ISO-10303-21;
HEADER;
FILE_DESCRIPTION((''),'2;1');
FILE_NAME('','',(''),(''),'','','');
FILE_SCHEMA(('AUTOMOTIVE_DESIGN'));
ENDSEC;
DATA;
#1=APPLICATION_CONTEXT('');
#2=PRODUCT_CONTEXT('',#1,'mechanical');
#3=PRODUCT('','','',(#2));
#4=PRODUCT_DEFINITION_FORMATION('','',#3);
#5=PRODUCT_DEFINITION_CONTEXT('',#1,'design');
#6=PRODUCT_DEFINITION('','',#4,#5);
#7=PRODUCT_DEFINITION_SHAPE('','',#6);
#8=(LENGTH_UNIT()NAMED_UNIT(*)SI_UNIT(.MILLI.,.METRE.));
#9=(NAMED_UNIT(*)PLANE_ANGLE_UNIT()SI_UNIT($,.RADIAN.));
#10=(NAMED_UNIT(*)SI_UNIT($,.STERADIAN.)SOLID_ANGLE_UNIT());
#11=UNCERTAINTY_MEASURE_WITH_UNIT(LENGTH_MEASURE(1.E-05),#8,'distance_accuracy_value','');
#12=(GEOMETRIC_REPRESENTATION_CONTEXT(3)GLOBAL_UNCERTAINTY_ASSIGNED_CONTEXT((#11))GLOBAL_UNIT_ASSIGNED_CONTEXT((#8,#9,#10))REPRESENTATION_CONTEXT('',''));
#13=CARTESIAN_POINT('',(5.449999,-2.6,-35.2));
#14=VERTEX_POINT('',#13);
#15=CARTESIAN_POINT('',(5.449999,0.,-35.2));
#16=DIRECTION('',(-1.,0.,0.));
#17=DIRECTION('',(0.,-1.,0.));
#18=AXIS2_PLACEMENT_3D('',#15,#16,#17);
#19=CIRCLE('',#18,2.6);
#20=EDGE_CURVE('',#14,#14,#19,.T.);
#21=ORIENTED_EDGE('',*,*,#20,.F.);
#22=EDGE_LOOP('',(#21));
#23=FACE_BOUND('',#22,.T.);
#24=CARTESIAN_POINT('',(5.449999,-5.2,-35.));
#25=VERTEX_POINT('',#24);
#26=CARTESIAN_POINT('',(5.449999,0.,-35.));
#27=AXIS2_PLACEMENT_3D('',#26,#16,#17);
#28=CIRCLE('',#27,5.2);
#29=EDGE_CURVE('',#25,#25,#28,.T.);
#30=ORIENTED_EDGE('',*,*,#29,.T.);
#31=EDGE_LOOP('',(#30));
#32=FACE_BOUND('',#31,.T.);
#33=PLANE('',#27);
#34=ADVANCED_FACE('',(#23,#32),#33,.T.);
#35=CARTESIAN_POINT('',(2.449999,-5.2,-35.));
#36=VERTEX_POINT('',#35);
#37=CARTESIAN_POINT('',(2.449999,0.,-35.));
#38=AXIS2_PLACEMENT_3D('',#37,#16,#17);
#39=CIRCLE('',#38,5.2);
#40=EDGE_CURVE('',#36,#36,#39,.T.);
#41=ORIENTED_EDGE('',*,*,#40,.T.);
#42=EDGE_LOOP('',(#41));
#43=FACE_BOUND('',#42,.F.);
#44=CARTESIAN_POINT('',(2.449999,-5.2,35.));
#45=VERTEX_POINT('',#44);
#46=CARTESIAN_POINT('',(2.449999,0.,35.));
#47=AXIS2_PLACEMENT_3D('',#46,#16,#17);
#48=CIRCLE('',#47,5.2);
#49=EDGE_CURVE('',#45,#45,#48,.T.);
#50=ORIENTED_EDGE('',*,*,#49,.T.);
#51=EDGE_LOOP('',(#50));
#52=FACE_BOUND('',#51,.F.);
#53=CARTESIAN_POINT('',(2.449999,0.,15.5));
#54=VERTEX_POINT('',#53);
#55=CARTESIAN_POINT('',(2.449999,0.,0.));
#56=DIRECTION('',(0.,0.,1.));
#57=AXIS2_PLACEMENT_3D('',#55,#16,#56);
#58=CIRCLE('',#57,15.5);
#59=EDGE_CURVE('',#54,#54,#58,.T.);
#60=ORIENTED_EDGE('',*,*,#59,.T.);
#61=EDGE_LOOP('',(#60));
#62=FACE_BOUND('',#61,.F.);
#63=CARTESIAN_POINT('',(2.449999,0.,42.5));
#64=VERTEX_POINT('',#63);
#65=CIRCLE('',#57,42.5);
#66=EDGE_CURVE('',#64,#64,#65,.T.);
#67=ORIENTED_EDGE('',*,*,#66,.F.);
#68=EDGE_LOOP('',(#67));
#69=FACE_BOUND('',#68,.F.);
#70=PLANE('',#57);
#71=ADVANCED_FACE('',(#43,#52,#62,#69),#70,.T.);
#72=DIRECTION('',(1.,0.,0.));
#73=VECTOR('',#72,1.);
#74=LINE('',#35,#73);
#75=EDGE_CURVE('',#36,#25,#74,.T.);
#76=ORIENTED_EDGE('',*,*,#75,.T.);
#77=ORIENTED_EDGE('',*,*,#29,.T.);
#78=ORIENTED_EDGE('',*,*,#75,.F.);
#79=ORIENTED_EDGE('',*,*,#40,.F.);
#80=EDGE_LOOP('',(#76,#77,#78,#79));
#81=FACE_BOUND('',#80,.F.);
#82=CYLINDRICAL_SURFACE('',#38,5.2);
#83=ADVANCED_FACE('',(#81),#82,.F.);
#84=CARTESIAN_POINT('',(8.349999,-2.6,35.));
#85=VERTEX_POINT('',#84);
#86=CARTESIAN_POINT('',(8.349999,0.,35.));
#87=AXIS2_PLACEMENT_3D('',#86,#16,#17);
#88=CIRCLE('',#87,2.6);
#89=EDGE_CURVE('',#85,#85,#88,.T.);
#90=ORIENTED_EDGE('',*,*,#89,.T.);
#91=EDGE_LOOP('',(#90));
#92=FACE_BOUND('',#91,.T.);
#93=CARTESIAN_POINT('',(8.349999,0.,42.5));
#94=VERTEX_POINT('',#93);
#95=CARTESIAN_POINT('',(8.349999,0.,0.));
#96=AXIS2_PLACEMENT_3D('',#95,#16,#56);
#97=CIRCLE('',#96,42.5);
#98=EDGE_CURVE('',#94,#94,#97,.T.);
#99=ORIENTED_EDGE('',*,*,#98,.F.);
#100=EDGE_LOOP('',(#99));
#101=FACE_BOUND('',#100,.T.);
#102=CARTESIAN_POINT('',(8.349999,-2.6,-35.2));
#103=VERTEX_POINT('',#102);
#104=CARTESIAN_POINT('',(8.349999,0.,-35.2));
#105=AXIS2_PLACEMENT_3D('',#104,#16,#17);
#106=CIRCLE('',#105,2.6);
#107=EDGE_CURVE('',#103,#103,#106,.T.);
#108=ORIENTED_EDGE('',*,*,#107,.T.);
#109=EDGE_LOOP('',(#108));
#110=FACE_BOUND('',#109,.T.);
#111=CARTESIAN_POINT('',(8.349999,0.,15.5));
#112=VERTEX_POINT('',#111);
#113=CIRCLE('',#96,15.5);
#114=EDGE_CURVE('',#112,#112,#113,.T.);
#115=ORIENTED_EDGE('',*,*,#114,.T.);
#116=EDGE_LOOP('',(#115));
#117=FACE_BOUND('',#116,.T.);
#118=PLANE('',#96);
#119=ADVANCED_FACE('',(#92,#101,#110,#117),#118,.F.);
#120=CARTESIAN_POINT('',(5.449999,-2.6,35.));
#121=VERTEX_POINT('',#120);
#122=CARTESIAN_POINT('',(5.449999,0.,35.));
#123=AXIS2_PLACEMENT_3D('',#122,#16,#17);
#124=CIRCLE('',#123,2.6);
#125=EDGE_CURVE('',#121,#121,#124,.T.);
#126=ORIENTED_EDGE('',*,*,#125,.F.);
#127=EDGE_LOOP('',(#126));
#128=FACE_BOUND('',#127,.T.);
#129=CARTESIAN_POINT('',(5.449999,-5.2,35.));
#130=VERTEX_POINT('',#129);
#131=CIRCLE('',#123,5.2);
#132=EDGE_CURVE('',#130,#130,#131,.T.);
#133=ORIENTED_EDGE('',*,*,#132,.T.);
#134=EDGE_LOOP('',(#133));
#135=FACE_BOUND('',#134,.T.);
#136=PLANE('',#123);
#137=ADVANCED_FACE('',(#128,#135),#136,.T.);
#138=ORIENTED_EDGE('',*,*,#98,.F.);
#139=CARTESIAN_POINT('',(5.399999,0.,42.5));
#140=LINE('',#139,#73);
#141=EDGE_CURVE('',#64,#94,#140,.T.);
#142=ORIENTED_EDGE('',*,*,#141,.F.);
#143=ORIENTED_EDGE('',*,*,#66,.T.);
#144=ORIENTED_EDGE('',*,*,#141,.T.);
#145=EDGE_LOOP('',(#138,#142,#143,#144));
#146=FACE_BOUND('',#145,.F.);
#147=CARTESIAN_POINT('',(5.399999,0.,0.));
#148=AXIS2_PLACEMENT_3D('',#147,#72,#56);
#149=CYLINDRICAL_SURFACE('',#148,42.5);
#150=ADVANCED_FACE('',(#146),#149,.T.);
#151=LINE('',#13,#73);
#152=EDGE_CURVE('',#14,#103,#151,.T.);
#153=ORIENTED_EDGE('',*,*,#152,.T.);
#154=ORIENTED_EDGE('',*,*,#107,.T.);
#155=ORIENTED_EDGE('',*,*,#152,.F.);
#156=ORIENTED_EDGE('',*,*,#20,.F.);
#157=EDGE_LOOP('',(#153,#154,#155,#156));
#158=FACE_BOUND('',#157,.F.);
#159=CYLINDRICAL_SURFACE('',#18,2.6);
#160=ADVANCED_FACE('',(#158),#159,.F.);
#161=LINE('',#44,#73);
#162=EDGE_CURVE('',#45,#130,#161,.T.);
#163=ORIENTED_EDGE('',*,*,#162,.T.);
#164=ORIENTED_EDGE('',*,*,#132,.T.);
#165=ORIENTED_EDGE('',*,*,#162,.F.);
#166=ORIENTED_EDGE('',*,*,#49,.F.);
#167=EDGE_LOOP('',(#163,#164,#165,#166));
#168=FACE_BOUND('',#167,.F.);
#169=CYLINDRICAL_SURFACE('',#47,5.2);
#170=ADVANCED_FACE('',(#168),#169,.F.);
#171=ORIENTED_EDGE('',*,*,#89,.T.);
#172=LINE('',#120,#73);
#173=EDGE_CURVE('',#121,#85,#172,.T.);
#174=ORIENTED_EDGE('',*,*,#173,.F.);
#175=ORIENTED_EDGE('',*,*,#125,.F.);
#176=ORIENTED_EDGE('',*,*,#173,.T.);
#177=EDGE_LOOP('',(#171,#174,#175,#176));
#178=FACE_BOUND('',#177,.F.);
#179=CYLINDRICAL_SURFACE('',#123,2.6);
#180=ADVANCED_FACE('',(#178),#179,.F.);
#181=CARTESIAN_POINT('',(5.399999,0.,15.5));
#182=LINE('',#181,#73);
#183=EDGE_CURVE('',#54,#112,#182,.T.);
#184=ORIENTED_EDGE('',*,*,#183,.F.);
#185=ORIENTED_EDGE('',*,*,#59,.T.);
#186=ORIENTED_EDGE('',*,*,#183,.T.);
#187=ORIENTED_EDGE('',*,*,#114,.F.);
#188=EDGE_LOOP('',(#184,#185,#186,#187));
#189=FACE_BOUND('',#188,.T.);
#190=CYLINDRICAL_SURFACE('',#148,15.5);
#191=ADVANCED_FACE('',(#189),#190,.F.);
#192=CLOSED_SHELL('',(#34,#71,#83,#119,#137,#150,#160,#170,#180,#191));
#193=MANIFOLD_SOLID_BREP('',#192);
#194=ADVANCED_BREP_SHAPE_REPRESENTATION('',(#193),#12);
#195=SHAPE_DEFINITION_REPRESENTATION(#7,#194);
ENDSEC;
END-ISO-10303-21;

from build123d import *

# Parameters (mm, degrees)
F0_W     = 5.9
F0_H     = 27
F2_R     = 5.2
F3_DEPTH = 3
F4_R     = 2.6
F5_DEPTH = 25


with BuildPart() as f1:
    # F0 (on Front) → F1 (revolve)
    with BuildSketch(Plane.XZ):
        with Locations((5.399999, 29)):
            Rectangle(F0_W, F0_H)
    revolve(axis=Axis((-4.686111, 0, 0), (-1, 0, 0)))

    # F2 (on face) → F3 (cut)
    with BuildSketch(Plane(origin=(2.449999, 0, 0), x_dir=(0, -1, 0), z_dir=(-1, 0, 0))):
        with Locations((0, 35)):
            Circle(F2_R)
        with Locations((0, -35)):
            Circle(F2_R)
    extrude(amount=-F3_DEPTH, mode=Mode.SUBTRACT)

    # F4 (on face) → F5 (cut)
    with BuildSketch(Plane(origin=(5.449999, 0, 0), x_dir=(0, -1, 0), z_dir=(-1, 0, 0))):
        with Locations((0, -35.2)):
            Circle(F4_R)
        with Locations((0, 35)):
            Circle(F4_R)
    extrude(amount=-F5_DEPTH, mode=Mode.SUBTRACT)


solid = f1.part
